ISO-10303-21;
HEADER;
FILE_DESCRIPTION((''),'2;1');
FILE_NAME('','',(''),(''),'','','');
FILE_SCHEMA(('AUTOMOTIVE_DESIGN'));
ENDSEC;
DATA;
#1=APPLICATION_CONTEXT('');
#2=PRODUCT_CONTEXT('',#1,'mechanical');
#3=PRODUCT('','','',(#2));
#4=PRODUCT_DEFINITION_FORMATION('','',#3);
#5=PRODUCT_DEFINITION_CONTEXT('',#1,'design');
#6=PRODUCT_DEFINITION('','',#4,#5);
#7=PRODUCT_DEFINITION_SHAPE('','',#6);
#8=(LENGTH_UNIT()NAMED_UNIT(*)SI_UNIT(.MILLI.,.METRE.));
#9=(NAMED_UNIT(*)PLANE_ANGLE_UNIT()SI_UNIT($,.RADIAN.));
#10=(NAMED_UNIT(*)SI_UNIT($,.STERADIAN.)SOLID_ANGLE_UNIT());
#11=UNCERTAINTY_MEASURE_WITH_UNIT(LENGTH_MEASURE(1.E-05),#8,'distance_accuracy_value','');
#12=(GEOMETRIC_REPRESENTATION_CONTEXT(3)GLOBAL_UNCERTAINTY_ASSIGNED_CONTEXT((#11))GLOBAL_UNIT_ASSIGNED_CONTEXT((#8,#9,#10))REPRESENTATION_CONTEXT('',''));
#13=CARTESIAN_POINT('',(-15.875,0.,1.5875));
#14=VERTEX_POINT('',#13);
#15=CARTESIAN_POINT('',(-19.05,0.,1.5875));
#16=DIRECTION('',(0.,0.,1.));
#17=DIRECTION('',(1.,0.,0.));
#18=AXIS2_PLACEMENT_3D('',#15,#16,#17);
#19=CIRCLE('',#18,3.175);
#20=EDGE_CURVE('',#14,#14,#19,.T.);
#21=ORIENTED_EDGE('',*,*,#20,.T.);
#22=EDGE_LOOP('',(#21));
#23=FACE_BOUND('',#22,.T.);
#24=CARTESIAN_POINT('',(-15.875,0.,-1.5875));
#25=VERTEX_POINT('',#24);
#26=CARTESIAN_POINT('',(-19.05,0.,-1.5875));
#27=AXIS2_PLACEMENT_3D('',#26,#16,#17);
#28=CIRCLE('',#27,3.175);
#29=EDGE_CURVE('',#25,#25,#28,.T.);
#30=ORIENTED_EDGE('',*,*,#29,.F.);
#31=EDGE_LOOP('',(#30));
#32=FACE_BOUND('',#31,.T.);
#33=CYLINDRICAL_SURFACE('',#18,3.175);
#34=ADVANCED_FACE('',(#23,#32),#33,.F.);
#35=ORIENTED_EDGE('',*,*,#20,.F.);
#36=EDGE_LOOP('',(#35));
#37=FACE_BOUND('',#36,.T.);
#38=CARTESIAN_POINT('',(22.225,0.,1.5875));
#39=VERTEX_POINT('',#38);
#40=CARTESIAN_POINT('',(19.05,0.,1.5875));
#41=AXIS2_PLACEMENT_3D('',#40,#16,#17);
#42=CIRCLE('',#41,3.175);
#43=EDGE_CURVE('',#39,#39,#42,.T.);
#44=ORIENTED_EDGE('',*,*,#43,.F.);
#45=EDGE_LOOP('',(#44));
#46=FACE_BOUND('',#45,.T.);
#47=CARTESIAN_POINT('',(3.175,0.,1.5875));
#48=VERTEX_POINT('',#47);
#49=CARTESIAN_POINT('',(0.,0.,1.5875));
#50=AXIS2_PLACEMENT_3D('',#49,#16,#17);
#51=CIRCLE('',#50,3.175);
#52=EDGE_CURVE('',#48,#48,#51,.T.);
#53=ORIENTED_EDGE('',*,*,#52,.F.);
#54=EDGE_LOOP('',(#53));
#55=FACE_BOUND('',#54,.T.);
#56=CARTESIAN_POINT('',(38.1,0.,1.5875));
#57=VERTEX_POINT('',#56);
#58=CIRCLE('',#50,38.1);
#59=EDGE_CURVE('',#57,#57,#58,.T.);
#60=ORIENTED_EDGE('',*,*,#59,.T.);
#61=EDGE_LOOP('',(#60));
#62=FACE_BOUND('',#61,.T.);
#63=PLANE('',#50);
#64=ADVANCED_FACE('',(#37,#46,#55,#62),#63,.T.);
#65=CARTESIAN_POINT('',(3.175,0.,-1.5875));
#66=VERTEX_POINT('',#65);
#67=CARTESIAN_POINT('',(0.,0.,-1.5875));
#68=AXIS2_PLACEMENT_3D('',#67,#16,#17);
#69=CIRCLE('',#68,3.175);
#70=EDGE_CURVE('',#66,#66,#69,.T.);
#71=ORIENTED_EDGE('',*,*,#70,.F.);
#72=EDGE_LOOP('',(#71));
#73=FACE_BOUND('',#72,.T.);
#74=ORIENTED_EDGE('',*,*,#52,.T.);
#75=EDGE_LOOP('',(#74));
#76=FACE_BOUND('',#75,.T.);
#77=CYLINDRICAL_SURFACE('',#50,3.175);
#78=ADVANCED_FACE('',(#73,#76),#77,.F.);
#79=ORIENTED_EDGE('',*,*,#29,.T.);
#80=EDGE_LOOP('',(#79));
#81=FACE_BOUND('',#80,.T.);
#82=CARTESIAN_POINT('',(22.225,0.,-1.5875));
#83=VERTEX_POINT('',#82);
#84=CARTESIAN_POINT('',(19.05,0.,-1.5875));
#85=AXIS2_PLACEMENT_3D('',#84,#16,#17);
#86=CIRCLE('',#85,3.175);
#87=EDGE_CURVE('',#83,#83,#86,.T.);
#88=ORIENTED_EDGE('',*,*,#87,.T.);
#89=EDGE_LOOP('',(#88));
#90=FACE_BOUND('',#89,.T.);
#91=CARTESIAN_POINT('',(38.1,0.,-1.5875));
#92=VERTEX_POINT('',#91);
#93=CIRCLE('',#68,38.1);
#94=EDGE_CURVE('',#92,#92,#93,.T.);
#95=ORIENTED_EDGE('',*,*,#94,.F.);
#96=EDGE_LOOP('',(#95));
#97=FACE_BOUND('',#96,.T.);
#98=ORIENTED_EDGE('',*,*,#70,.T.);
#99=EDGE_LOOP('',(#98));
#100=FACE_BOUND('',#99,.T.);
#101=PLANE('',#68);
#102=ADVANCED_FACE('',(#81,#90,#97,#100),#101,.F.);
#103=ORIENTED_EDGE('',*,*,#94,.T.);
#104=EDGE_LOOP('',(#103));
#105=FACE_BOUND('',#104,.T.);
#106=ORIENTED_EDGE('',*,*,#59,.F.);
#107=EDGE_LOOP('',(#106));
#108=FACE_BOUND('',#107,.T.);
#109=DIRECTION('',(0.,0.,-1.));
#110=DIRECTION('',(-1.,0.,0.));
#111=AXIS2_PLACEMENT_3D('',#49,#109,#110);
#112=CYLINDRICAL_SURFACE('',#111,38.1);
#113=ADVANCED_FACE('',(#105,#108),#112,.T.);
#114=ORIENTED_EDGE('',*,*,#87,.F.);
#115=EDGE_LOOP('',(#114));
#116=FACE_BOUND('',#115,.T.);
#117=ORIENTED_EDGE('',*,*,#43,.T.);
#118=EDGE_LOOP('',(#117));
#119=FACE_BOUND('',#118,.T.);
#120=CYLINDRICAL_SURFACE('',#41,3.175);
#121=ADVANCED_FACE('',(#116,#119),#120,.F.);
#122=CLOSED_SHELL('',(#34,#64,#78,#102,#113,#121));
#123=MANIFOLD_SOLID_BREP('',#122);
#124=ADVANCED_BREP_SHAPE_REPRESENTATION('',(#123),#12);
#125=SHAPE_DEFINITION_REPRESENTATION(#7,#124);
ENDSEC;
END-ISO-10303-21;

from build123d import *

# Parameters (mm, degrees)
SKETCH1_R                   = 38.1
BOSS_EXTRUDE1_DEPTH         = 1.5875
F_1_4_0_25_DIAMETER_HOLE1_D = 6.35


with BuildPart() as part:
    # Sketch1 → Boss-Extrude1 (new body, symmetric)
    with BuildSketch(Plane.XY):
        Circle(SKETCH1_R)
    extrude(amount=BOSS_EXTRUDE1_DEPTH, both=True)

    # 1/4 (0.25) Diameter Hole1 (through all)
    with Locations(Plane.XY.offset(1.5875)):
        with Locations((-19.05, 0), (0, 0), (19.05, 0)):
            Hole(F_1_4_0_25_DIAMETER_HOLE1_D / 2)


solid = part.part
